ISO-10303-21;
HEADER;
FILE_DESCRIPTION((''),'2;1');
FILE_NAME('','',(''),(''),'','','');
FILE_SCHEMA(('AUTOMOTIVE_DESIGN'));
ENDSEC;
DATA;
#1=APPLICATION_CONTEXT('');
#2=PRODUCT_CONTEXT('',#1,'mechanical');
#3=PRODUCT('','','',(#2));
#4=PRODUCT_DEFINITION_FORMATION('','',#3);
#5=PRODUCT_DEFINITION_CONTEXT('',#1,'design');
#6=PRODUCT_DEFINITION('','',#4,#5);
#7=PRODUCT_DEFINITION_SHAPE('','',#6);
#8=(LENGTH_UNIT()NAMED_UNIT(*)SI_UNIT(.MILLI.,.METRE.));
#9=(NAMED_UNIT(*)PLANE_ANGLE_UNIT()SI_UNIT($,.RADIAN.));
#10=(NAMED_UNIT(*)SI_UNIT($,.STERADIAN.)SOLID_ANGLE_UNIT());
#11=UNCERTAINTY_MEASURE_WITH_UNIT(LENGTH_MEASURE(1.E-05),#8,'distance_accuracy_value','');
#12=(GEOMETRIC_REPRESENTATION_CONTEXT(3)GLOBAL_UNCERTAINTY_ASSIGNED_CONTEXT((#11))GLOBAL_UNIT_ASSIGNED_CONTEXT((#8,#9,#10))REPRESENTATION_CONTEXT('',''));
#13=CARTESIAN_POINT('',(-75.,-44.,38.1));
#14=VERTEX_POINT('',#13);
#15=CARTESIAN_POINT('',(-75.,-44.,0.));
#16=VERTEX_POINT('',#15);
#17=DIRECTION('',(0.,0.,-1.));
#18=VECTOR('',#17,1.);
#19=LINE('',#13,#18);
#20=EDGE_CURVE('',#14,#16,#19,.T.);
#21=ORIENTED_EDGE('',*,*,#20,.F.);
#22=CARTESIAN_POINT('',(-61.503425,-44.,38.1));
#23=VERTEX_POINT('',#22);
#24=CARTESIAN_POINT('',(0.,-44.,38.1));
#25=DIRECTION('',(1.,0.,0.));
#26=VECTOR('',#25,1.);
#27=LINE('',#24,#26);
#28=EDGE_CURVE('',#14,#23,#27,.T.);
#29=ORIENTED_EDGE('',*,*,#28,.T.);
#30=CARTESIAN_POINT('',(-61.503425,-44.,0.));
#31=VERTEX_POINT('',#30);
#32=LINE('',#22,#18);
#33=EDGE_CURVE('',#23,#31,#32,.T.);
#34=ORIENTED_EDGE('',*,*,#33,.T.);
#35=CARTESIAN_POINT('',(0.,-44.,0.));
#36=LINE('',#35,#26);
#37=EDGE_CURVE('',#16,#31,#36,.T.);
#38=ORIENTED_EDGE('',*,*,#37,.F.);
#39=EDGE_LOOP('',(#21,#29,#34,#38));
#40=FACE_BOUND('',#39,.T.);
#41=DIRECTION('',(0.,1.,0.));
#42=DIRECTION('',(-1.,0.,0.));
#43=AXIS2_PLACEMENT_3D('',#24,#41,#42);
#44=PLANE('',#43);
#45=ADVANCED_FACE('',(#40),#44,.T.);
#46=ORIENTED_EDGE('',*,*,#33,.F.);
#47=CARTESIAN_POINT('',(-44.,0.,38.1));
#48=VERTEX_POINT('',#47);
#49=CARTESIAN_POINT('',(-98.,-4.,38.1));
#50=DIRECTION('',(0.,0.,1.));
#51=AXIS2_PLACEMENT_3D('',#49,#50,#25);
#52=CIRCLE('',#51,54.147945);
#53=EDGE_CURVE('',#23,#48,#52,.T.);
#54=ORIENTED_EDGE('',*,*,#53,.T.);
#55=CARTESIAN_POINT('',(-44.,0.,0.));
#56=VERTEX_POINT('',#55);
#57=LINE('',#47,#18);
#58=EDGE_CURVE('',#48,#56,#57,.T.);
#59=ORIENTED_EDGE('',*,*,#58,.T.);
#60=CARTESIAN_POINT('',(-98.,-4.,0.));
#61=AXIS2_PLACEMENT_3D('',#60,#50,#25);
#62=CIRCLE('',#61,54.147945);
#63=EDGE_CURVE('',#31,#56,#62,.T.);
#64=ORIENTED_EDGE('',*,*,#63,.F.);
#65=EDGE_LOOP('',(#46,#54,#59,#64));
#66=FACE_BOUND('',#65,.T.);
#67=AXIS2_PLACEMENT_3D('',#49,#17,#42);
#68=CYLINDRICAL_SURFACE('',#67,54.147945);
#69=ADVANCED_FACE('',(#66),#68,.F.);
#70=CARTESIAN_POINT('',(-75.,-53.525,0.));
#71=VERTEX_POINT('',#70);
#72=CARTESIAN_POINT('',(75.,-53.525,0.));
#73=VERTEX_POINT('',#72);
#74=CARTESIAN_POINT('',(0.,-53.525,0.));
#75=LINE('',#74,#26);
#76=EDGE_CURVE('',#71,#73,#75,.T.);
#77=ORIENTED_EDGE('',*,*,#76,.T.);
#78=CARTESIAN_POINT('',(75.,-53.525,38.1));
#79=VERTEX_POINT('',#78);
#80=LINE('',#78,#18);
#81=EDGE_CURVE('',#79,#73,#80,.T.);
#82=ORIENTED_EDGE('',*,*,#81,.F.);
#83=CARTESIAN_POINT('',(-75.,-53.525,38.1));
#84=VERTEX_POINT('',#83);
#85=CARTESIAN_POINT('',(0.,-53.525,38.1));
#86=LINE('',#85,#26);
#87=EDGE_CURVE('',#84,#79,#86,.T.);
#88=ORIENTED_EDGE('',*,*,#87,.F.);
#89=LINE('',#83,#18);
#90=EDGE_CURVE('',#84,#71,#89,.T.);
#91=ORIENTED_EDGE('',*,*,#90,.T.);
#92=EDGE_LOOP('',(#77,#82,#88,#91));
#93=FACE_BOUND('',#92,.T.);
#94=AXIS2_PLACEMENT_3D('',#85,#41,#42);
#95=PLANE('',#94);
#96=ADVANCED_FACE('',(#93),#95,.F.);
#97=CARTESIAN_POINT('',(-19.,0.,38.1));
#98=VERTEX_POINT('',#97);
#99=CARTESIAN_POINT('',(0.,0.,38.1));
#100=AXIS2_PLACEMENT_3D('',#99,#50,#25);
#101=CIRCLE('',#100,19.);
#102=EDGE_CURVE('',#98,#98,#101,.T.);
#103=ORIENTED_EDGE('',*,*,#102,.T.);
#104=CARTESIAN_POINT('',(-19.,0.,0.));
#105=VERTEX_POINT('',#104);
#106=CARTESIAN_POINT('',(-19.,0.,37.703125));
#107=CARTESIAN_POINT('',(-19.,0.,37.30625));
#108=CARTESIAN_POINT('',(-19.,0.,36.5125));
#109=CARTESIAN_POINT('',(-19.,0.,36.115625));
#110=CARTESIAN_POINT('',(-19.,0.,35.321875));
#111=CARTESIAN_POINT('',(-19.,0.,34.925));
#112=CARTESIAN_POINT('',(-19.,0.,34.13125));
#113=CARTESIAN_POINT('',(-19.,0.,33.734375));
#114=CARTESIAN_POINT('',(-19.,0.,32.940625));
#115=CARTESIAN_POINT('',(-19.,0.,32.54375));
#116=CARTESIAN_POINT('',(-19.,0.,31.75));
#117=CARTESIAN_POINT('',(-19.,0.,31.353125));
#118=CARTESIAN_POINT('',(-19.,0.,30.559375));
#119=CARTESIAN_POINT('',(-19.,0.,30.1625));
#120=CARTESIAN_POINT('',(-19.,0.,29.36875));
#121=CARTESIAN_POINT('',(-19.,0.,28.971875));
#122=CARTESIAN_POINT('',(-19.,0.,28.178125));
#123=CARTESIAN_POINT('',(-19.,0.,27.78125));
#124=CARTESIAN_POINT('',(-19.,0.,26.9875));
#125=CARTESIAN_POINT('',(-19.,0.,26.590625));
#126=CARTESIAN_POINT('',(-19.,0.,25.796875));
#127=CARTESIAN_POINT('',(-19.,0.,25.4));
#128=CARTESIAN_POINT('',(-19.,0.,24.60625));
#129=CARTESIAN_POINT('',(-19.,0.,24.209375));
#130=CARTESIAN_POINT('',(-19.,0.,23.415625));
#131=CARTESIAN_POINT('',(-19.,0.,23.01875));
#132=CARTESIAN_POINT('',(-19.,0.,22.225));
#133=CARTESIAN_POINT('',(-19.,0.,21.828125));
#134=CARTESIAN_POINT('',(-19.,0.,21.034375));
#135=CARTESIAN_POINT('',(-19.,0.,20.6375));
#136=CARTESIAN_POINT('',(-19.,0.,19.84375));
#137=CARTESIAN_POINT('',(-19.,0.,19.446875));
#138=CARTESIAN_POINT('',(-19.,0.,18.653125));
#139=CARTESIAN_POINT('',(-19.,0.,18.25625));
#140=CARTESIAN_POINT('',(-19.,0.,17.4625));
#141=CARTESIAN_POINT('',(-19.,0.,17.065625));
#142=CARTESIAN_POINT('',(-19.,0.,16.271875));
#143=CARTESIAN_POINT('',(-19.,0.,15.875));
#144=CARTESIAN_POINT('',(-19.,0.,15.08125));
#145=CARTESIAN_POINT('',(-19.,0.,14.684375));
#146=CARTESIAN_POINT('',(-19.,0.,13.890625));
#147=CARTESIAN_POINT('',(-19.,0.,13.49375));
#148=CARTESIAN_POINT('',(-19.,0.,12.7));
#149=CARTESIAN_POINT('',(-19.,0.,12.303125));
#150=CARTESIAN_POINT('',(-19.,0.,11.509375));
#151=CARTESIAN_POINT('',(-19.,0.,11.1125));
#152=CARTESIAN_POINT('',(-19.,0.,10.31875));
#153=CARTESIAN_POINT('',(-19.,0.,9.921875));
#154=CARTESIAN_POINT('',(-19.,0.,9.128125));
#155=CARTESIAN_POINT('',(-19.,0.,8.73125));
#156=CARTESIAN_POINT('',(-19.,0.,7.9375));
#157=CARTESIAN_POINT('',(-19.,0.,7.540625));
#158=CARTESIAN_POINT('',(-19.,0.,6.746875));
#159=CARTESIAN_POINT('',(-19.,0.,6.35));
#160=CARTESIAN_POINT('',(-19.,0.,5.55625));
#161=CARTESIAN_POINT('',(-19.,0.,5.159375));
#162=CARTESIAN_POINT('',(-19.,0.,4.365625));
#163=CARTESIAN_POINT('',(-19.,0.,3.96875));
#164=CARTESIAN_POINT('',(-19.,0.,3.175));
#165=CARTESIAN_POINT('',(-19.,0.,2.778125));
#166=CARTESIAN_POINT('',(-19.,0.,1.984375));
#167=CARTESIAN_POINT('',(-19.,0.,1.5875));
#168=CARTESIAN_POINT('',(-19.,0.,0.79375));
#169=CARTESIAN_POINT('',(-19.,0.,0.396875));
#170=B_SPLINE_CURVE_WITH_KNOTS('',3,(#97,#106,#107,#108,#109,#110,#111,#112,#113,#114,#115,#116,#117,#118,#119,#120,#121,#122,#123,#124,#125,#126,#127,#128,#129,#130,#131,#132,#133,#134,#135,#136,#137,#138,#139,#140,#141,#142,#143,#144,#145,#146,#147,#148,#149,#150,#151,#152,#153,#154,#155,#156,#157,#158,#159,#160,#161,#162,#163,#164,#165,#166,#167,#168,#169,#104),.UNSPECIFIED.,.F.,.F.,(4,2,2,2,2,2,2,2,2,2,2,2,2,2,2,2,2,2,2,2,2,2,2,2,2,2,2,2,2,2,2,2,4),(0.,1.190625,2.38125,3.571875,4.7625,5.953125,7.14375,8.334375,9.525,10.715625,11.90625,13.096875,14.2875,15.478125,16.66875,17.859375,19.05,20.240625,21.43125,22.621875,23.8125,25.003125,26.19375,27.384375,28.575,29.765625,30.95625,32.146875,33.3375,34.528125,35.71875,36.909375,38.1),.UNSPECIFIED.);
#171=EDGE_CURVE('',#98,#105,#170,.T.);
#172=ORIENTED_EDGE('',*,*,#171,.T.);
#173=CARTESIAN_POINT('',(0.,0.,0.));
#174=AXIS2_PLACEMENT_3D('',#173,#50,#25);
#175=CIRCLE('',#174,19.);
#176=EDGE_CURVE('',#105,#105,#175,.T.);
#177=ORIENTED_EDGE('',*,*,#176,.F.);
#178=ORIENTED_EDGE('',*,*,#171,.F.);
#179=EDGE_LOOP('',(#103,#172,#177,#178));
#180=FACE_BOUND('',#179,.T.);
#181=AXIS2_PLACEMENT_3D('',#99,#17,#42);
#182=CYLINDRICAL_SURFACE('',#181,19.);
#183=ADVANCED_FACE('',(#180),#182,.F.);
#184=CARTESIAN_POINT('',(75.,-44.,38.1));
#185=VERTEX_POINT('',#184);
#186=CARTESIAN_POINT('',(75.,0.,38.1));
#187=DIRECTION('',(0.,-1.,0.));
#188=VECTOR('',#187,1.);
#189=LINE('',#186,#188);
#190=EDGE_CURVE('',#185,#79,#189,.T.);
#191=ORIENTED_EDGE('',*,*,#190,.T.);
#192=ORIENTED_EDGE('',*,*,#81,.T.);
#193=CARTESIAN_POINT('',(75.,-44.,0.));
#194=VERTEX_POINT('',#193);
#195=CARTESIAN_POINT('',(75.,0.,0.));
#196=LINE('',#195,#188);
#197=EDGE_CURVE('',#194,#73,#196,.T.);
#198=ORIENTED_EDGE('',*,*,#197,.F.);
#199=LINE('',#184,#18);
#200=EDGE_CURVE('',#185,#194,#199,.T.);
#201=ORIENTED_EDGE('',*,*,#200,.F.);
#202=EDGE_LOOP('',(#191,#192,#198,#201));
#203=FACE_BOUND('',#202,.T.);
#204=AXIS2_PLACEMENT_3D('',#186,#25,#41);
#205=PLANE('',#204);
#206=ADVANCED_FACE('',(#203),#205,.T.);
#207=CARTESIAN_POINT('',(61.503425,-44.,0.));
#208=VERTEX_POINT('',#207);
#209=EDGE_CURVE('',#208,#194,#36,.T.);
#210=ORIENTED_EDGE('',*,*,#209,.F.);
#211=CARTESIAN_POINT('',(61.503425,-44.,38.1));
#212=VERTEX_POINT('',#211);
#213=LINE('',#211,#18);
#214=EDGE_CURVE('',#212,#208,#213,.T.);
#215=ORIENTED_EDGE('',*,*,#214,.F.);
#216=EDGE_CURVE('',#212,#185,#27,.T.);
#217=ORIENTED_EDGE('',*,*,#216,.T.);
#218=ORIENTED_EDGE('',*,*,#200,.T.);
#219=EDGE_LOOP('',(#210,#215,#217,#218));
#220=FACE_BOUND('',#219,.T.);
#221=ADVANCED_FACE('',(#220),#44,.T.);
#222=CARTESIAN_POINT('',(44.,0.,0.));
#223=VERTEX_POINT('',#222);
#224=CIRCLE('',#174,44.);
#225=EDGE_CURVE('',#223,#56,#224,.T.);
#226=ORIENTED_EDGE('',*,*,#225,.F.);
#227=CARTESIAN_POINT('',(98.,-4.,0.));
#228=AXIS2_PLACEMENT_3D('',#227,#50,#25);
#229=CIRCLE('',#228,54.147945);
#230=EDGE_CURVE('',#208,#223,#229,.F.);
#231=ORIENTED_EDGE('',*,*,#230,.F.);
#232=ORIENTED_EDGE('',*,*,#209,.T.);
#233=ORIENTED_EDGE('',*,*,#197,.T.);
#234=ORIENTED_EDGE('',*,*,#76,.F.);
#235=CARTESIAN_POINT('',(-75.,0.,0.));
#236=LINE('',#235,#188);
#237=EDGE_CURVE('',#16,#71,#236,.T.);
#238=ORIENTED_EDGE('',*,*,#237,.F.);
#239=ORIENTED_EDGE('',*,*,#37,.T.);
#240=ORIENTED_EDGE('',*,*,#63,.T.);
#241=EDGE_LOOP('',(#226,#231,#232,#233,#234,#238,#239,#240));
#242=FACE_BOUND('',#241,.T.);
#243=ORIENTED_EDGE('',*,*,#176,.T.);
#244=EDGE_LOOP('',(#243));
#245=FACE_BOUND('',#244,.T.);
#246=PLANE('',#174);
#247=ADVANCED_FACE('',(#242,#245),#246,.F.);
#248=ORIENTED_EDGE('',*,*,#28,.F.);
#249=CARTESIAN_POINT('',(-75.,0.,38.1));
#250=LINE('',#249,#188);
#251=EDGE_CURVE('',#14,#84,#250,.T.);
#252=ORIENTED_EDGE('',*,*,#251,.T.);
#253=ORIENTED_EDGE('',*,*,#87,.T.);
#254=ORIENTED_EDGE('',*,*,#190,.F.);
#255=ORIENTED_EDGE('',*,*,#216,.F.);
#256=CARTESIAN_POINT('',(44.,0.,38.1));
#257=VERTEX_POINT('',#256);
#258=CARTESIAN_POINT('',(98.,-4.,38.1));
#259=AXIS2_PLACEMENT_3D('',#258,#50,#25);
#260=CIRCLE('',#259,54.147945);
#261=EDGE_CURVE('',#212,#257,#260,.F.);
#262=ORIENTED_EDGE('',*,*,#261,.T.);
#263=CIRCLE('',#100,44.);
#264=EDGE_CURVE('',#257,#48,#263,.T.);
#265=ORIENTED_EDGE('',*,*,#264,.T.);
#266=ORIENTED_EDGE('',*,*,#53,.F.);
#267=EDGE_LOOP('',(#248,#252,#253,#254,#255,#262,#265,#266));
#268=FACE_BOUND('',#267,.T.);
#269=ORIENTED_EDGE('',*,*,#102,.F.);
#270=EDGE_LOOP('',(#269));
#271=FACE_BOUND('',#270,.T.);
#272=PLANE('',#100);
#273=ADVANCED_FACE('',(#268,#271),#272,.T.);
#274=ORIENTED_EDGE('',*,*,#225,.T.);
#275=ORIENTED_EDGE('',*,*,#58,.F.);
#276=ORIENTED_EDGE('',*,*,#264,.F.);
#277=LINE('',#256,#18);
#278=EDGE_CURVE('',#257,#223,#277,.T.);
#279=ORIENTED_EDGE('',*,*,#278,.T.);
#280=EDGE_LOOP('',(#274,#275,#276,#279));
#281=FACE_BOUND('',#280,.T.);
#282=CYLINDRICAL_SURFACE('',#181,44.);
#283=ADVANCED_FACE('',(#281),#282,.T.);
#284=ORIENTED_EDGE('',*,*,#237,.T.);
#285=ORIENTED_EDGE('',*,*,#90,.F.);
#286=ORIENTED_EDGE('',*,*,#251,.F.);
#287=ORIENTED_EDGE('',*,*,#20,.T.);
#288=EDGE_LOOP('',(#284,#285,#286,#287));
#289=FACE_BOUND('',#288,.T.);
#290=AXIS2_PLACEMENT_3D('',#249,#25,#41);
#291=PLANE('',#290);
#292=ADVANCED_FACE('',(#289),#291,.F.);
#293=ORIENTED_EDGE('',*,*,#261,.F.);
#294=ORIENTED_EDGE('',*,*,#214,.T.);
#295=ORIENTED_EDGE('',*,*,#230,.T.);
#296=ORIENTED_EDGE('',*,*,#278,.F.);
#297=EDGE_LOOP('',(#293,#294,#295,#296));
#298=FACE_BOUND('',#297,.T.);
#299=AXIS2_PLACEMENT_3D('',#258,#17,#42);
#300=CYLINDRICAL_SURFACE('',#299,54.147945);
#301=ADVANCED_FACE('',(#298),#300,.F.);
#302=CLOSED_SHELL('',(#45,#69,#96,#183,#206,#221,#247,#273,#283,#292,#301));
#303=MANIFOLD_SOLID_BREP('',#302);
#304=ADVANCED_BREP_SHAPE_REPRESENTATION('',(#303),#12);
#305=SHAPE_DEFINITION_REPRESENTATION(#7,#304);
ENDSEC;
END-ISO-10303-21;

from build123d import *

# Parameters (mm, degrees)
CROQUIS1_R              = 19
SALIENTE_EXTRUIR1_DEPTH = 38.1


with BuildPart() as part:
    # Croquis1 → Saliente-Extruir1 (new body)
    with BuildSketch(Plane.XY):
        with BuildLine():
            Line((-61.503424818, -44), (-75, -44))
            Line((-75, -44), (-75, -53.525))
            Line((-75, -53.525), (75, -53.525))
            Line((75, -53.525), (75, -44))
            Line((75, -44), (61.503424818, -44))
            ThreePointArc((61.503424818, -44), (48.377816196, -25.671153051), (43.853638254, -3.585862786))
            ThreePointArc((43.853638254, -3.585862786), (43.897102733, -1.791718479), (44, 0))
            ThreePointArc((44, 0), (0, 44), (-44, 0))
            ThreePointArc((-44, 0), (-43.897102733, -1.791718479), (-43.853638254, -3.585862786))
            ThreePointArc((-43.853638254, -3.585862786), (-48.377816196, -25.671153051), (-61.503424818, -44))
        make_face()
        with Locations(Location((0, 0, 0), (0, 0, 180))):
            Circle(CROQUIS1_R, mode=Mode.SUBTRACT)
    extrude(amount=SALIENTE_EXTRUIR1_DEPTH)


solid = part.part
